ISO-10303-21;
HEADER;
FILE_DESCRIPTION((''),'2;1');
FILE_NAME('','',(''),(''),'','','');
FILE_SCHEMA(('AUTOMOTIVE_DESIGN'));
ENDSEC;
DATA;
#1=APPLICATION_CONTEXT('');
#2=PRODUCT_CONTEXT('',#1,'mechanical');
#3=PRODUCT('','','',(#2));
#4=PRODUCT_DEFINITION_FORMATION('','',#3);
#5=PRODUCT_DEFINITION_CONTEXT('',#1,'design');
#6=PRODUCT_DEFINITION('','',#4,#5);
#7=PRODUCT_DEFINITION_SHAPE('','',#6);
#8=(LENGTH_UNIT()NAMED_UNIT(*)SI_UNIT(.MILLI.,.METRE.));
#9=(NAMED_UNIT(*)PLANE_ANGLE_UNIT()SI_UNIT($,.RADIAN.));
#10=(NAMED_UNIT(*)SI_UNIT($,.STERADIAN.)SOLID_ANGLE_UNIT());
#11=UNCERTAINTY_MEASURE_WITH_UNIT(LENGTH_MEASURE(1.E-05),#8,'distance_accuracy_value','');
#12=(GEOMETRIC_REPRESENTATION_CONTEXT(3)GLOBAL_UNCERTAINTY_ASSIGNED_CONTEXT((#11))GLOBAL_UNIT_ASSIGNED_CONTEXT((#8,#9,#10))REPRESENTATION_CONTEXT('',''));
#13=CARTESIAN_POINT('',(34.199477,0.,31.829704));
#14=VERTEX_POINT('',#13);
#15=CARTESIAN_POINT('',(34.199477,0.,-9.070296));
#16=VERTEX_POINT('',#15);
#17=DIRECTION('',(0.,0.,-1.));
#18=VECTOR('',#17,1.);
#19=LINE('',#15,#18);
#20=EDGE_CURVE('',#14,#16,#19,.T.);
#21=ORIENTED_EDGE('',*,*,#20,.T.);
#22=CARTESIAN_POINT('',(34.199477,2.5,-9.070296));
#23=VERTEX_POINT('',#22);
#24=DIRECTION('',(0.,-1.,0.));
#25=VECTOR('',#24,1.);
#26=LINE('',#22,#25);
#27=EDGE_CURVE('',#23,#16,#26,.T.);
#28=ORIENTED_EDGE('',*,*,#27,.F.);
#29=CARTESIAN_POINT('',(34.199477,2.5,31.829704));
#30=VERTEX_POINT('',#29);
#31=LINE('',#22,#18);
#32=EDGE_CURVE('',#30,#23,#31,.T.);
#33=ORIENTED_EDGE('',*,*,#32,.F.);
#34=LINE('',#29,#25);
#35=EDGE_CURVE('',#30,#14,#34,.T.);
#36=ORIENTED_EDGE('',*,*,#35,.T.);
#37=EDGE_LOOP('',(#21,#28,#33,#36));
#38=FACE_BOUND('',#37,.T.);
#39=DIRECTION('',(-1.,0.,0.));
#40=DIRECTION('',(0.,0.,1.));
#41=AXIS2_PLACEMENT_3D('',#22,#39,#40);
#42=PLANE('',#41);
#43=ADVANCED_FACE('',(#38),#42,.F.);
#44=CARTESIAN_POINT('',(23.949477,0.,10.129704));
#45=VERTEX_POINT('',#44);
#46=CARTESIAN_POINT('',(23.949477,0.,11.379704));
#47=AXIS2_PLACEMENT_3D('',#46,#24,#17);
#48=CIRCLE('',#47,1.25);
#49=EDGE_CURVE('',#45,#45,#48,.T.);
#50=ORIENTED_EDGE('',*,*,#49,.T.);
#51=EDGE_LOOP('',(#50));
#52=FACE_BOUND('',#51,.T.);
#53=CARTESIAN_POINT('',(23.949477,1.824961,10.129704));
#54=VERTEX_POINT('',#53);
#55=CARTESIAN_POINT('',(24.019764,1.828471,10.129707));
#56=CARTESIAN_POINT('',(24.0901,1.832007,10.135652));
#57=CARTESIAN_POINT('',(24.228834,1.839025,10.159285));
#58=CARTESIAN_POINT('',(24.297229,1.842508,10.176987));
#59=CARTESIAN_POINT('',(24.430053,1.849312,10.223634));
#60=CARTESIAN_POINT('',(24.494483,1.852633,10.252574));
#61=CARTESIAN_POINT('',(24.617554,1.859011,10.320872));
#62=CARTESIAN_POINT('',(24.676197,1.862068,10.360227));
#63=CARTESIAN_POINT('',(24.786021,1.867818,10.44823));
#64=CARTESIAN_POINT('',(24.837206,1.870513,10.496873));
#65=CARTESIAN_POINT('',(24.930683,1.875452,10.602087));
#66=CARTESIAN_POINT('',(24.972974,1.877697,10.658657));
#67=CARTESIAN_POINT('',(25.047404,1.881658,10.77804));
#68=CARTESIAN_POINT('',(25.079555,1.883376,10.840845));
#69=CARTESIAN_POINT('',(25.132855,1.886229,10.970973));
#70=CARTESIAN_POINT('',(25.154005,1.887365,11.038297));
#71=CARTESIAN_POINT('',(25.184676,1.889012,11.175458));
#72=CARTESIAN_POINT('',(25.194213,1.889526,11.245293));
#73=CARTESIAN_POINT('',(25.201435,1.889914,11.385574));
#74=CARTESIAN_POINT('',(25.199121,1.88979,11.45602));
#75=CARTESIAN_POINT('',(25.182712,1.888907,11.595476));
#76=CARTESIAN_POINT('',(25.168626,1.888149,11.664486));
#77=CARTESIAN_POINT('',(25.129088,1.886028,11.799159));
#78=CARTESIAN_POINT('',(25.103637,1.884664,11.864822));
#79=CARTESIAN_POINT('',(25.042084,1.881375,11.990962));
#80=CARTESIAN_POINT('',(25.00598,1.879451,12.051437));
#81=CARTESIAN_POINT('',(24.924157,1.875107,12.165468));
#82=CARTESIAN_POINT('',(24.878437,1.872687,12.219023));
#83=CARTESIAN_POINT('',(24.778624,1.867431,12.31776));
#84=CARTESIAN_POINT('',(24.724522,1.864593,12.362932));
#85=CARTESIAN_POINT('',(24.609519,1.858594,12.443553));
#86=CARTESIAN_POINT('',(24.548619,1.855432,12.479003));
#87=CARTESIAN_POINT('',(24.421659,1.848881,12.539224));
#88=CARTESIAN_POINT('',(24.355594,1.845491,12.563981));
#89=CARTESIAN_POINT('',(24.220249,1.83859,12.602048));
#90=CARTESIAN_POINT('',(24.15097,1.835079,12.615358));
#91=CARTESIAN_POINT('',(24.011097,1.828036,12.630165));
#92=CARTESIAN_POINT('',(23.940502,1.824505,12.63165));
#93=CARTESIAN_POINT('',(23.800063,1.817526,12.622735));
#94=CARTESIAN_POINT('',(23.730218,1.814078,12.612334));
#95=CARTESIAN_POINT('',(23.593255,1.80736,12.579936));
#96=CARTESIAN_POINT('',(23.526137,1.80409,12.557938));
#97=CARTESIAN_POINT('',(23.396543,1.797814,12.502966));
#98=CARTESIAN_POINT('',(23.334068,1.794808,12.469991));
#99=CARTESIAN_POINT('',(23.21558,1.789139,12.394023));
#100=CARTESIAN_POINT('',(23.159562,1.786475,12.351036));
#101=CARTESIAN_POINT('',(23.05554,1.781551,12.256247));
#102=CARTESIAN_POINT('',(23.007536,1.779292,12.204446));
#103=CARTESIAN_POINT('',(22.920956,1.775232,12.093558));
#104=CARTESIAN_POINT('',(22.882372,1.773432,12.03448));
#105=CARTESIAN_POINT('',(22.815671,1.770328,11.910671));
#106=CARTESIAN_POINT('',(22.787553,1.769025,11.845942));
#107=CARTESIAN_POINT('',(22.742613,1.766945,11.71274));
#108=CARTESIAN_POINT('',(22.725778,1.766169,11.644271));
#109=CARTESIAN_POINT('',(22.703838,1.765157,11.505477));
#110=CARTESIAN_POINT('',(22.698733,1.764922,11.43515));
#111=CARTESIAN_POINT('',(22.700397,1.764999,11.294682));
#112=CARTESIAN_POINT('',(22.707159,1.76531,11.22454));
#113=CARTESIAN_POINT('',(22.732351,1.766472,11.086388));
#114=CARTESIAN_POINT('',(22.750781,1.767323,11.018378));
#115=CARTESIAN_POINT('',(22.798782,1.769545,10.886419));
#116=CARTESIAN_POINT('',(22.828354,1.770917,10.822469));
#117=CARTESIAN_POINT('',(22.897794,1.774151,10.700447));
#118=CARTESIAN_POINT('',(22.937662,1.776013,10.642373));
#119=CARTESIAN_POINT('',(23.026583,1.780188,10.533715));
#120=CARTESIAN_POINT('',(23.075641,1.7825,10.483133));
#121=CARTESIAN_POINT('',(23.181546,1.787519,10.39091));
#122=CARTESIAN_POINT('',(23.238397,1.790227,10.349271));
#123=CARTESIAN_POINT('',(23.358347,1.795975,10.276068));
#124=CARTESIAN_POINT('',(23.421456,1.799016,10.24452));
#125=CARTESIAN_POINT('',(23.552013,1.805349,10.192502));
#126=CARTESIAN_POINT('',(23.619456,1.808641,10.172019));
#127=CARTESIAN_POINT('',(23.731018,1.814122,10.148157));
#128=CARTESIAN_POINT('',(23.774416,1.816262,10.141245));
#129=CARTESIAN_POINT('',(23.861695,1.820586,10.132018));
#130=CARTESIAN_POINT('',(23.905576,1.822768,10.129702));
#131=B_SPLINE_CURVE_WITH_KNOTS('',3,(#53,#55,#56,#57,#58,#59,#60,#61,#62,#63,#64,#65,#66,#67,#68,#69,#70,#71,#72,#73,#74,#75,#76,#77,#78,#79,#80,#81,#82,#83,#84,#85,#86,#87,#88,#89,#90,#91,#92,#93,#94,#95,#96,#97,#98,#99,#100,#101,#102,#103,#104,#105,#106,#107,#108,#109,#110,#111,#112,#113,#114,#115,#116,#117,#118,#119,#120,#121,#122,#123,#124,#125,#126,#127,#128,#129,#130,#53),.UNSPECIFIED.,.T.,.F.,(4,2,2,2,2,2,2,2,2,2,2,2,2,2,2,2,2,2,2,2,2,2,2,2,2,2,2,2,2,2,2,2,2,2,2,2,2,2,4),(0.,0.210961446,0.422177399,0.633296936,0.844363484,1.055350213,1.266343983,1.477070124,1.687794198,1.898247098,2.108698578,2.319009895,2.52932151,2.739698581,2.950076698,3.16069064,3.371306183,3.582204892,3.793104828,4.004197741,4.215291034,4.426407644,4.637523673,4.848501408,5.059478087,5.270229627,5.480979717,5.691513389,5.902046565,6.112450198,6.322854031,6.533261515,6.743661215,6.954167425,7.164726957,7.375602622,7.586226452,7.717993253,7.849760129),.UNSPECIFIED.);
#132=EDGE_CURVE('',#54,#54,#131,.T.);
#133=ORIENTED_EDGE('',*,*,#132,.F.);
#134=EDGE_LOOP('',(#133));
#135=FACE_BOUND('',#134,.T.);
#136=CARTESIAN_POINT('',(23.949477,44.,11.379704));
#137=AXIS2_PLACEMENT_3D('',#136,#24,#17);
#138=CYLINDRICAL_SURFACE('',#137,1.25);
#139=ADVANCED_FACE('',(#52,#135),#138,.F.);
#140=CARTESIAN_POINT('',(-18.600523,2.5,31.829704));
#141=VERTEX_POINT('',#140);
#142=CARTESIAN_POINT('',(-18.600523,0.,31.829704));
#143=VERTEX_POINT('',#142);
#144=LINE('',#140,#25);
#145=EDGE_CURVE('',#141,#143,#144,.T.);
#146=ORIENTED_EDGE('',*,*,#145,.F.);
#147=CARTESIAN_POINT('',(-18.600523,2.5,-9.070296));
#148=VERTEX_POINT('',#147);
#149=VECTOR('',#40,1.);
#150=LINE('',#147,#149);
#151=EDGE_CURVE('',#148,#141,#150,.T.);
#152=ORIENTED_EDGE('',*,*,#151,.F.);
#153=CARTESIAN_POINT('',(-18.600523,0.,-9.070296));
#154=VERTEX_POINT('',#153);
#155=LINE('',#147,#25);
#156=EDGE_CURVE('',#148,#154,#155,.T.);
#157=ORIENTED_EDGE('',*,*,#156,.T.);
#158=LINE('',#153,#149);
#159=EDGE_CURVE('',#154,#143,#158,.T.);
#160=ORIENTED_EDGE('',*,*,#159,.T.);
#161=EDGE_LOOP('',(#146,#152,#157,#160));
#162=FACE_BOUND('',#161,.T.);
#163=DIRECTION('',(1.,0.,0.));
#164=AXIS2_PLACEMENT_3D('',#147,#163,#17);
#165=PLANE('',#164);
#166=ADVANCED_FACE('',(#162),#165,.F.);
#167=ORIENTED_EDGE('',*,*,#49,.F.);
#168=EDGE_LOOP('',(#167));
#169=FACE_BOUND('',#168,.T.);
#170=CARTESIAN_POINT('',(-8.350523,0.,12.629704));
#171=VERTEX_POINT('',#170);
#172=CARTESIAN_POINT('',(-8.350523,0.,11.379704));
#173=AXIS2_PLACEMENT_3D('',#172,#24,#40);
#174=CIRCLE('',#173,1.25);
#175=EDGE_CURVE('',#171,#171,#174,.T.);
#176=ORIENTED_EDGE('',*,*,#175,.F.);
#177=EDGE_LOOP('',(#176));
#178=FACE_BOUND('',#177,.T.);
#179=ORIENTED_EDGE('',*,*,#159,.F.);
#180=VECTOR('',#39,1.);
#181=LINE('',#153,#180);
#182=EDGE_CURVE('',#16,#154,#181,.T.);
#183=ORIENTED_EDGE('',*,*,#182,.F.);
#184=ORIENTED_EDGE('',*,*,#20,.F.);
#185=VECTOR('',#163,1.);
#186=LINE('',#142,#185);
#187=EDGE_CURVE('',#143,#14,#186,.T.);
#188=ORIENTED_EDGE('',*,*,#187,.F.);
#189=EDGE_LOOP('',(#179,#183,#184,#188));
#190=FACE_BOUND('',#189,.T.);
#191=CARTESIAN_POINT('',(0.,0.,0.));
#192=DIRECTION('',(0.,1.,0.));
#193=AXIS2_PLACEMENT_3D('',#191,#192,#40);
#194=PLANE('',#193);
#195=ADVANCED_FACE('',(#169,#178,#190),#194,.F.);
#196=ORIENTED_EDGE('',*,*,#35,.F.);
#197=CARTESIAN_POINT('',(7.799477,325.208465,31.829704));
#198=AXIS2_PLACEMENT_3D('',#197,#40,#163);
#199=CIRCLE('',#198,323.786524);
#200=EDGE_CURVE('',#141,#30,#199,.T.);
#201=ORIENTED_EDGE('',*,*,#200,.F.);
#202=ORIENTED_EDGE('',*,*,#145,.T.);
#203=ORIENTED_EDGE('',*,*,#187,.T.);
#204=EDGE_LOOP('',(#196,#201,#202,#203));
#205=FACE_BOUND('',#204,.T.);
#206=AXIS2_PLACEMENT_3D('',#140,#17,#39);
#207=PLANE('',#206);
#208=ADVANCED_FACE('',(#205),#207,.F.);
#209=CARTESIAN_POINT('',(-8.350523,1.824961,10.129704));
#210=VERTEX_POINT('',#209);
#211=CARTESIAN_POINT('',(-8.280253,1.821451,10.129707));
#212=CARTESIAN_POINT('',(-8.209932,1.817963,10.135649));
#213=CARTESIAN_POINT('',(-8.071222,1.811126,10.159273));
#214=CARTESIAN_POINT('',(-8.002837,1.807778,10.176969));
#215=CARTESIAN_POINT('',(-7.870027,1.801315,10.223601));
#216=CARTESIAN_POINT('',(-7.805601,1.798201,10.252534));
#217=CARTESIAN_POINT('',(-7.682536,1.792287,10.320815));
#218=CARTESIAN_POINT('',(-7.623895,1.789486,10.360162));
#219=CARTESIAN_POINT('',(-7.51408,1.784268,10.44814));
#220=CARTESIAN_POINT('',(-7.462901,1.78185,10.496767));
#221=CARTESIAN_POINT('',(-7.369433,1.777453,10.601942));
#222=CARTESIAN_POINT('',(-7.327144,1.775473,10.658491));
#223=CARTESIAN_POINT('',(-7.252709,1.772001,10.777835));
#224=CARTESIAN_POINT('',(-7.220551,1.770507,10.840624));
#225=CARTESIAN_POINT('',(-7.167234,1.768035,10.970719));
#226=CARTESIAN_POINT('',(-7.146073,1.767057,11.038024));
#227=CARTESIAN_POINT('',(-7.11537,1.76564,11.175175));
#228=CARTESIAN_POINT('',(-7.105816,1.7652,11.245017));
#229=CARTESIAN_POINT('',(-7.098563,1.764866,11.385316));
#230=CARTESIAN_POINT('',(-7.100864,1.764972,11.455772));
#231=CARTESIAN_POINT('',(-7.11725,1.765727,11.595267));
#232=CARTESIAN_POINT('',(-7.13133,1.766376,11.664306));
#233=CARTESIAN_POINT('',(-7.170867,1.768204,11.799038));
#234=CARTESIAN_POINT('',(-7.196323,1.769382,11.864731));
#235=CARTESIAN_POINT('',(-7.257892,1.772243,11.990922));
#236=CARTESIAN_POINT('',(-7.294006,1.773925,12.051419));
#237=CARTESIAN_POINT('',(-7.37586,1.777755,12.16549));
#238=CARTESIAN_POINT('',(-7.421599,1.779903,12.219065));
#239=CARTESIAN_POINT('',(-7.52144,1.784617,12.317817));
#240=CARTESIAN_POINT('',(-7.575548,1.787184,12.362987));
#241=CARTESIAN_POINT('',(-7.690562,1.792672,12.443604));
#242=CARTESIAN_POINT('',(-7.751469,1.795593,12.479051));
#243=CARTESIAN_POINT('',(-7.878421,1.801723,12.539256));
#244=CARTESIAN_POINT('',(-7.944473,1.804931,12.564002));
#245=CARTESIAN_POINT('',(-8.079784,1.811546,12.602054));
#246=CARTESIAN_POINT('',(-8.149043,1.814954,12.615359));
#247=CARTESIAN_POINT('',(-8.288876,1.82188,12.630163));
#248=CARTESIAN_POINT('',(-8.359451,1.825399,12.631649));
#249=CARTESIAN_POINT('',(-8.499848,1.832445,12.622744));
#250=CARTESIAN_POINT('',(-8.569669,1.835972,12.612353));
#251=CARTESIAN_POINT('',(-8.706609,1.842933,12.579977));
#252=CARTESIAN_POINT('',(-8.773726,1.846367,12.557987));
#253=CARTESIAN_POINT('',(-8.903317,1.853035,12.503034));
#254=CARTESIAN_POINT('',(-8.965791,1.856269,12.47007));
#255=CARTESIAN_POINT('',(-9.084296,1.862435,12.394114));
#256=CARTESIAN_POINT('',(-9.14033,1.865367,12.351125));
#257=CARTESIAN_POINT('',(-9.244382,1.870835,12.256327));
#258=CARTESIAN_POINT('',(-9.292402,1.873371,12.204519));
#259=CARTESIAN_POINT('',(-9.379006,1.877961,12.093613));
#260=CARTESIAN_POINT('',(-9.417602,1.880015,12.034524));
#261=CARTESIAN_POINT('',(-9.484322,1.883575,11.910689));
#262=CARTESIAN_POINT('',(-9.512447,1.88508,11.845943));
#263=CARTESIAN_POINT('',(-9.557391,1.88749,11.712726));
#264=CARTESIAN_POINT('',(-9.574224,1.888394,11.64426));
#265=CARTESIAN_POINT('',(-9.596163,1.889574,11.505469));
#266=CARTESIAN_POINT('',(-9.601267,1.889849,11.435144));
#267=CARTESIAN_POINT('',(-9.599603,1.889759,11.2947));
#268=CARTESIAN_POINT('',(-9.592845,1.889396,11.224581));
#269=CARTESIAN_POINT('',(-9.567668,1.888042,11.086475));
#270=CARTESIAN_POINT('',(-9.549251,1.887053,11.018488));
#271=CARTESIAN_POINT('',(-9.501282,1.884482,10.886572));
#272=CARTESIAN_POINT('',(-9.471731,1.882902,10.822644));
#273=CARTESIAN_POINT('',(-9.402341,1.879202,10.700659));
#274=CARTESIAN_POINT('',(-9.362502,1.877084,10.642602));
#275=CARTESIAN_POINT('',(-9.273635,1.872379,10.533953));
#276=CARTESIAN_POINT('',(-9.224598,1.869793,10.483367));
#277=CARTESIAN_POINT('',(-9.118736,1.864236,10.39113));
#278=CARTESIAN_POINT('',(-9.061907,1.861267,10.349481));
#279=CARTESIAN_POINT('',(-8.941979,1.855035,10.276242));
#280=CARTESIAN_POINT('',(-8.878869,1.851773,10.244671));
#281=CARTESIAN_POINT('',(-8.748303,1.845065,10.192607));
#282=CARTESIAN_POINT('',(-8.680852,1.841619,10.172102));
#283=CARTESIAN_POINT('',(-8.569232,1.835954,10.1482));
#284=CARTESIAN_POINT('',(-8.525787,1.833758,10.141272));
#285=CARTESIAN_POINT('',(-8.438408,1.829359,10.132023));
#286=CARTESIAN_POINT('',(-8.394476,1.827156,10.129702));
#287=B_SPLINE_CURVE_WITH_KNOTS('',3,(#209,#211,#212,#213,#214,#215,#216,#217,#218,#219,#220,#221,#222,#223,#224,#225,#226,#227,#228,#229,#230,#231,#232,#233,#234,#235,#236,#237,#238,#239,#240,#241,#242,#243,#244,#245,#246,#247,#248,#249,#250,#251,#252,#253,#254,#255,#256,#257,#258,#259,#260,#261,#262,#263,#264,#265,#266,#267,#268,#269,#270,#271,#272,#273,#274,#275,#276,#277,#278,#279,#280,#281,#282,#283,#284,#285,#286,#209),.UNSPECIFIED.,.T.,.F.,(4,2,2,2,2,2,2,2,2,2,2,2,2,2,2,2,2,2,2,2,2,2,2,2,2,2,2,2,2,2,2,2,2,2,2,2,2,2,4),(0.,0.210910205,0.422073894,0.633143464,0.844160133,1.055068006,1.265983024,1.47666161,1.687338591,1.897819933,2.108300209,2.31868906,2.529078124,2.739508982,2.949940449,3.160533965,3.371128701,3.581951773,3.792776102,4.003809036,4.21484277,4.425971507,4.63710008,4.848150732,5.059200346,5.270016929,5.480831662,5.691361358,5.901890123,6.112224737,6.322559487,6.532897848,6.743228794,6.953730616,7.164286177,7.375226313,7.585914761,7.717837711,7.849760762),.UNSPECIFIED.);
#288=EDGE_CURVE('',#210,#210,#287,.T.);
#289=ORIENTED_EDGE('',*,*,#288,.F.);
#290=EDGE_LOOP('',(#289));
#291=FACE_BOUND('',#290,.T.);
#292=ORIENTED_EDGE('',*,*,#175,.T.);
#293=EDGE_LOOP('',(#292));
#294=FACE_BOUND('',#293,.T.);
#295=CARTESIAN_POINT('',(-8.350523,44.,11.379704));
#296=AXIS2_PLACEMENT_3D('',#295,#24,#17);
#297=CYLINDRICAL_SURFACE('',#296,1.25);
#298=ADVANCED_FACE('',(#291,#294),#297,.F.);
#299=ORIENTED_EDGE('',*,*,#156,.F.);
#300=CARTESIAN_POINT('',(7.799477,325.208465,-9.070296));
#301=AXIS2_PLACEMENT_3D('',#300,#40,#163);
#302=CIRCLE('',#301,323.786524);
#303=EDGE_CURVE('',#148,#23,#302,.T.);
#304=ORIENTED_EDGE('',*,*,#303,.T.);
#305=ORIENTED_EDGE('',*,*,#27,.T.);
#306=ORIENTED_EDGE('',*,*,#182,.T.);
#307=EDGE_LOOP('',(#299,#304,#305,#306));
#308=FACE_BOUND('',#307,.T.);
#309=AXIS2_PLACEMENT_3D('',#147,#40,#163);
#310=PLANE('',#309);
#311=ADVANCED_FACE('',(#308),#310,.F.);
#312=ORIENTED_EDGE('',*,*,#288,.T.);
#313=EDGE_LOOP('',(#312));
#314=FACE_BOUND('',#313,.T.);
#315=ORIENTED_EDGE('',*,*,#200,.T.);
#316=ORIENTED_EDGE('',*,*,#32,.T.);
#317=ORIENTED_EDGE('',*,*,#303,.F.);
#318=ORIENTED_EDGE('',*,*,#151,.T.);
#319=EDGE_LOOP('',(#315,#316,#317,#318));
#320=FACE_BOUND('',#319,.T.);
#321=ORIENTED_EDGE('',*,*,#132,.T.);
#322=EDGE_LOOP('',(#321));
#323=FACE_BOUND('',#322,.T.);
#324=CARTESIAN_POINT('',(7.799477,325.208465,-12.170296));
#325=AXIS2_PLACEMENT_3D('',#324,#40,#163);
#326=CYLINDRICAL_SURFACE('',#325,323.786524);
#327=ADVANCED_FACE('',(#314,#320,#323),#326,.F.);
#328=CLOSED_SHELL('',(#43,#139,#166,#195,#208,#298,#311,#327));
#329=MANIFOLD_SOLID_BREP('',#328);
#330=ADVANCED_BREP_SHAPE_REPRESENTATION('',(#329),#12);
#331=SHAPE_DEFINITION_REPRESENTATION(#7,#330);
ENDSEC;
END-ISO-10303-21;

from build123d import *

# Parameters (mm, degrees)
CROQUIS1_W              = 52.8
CROQUIS1_H              = 40.9
SALIENTE_EXTRUIR1_DEPTH = 2.5
CORTAR_EXTRUIR1_DEPTH   = 44
CROQUIS3_R              = 1.25
CORTAR_EXTRUIR2_DEPTH   = 44


with BuildPart() as part:
    # Croquis1 → Saliente-Extruir1 (new body)
    with BuildSketch(Plane(origin=(0, 0, 0), x_dir=(1, 0, 0), z_dir=(0, 1, 0))):
        with Locations((7.799477352, -11.379703833)):
            Rectangle(CROQUIS1_W, CROQUIS1_H)
    extrude(amount=SALIENTE_EXTRUIR1_DEPTH)

    # Croquis2 → Cortar-Extruir1 (cut)
    with BuildSketch(Plane.XY.offset(31.829703833)):
        with BuildLine():
            Line((-18.600522648, 2.5), (34.199477352, 2.5))
            ThreePointArc((34.199477352, 2.5), (7.799477352, 1.421940601), (-18.600522648, 2.5))
        make_face()
    extrude(amount=-CORTAR_EXTRUIR1_DEPTH, mode=Mode.SUBTRACT)

    # Croquis3 → Cortar-Extruir2 (cut)
    with BuildSketch(Plane.XZ):
        with Locations((23.949477352, 11.379703833)):
            Circle(CROQUIS3_R)
        with Locations((-8.350522648, 11.379703833)):
            Circle(CROQUIS3_R)
    extrude(amount=-CORTAR_EXTRUIR2_DEPTH, mode=Mode.SUBTRACT)


solid = part.part
